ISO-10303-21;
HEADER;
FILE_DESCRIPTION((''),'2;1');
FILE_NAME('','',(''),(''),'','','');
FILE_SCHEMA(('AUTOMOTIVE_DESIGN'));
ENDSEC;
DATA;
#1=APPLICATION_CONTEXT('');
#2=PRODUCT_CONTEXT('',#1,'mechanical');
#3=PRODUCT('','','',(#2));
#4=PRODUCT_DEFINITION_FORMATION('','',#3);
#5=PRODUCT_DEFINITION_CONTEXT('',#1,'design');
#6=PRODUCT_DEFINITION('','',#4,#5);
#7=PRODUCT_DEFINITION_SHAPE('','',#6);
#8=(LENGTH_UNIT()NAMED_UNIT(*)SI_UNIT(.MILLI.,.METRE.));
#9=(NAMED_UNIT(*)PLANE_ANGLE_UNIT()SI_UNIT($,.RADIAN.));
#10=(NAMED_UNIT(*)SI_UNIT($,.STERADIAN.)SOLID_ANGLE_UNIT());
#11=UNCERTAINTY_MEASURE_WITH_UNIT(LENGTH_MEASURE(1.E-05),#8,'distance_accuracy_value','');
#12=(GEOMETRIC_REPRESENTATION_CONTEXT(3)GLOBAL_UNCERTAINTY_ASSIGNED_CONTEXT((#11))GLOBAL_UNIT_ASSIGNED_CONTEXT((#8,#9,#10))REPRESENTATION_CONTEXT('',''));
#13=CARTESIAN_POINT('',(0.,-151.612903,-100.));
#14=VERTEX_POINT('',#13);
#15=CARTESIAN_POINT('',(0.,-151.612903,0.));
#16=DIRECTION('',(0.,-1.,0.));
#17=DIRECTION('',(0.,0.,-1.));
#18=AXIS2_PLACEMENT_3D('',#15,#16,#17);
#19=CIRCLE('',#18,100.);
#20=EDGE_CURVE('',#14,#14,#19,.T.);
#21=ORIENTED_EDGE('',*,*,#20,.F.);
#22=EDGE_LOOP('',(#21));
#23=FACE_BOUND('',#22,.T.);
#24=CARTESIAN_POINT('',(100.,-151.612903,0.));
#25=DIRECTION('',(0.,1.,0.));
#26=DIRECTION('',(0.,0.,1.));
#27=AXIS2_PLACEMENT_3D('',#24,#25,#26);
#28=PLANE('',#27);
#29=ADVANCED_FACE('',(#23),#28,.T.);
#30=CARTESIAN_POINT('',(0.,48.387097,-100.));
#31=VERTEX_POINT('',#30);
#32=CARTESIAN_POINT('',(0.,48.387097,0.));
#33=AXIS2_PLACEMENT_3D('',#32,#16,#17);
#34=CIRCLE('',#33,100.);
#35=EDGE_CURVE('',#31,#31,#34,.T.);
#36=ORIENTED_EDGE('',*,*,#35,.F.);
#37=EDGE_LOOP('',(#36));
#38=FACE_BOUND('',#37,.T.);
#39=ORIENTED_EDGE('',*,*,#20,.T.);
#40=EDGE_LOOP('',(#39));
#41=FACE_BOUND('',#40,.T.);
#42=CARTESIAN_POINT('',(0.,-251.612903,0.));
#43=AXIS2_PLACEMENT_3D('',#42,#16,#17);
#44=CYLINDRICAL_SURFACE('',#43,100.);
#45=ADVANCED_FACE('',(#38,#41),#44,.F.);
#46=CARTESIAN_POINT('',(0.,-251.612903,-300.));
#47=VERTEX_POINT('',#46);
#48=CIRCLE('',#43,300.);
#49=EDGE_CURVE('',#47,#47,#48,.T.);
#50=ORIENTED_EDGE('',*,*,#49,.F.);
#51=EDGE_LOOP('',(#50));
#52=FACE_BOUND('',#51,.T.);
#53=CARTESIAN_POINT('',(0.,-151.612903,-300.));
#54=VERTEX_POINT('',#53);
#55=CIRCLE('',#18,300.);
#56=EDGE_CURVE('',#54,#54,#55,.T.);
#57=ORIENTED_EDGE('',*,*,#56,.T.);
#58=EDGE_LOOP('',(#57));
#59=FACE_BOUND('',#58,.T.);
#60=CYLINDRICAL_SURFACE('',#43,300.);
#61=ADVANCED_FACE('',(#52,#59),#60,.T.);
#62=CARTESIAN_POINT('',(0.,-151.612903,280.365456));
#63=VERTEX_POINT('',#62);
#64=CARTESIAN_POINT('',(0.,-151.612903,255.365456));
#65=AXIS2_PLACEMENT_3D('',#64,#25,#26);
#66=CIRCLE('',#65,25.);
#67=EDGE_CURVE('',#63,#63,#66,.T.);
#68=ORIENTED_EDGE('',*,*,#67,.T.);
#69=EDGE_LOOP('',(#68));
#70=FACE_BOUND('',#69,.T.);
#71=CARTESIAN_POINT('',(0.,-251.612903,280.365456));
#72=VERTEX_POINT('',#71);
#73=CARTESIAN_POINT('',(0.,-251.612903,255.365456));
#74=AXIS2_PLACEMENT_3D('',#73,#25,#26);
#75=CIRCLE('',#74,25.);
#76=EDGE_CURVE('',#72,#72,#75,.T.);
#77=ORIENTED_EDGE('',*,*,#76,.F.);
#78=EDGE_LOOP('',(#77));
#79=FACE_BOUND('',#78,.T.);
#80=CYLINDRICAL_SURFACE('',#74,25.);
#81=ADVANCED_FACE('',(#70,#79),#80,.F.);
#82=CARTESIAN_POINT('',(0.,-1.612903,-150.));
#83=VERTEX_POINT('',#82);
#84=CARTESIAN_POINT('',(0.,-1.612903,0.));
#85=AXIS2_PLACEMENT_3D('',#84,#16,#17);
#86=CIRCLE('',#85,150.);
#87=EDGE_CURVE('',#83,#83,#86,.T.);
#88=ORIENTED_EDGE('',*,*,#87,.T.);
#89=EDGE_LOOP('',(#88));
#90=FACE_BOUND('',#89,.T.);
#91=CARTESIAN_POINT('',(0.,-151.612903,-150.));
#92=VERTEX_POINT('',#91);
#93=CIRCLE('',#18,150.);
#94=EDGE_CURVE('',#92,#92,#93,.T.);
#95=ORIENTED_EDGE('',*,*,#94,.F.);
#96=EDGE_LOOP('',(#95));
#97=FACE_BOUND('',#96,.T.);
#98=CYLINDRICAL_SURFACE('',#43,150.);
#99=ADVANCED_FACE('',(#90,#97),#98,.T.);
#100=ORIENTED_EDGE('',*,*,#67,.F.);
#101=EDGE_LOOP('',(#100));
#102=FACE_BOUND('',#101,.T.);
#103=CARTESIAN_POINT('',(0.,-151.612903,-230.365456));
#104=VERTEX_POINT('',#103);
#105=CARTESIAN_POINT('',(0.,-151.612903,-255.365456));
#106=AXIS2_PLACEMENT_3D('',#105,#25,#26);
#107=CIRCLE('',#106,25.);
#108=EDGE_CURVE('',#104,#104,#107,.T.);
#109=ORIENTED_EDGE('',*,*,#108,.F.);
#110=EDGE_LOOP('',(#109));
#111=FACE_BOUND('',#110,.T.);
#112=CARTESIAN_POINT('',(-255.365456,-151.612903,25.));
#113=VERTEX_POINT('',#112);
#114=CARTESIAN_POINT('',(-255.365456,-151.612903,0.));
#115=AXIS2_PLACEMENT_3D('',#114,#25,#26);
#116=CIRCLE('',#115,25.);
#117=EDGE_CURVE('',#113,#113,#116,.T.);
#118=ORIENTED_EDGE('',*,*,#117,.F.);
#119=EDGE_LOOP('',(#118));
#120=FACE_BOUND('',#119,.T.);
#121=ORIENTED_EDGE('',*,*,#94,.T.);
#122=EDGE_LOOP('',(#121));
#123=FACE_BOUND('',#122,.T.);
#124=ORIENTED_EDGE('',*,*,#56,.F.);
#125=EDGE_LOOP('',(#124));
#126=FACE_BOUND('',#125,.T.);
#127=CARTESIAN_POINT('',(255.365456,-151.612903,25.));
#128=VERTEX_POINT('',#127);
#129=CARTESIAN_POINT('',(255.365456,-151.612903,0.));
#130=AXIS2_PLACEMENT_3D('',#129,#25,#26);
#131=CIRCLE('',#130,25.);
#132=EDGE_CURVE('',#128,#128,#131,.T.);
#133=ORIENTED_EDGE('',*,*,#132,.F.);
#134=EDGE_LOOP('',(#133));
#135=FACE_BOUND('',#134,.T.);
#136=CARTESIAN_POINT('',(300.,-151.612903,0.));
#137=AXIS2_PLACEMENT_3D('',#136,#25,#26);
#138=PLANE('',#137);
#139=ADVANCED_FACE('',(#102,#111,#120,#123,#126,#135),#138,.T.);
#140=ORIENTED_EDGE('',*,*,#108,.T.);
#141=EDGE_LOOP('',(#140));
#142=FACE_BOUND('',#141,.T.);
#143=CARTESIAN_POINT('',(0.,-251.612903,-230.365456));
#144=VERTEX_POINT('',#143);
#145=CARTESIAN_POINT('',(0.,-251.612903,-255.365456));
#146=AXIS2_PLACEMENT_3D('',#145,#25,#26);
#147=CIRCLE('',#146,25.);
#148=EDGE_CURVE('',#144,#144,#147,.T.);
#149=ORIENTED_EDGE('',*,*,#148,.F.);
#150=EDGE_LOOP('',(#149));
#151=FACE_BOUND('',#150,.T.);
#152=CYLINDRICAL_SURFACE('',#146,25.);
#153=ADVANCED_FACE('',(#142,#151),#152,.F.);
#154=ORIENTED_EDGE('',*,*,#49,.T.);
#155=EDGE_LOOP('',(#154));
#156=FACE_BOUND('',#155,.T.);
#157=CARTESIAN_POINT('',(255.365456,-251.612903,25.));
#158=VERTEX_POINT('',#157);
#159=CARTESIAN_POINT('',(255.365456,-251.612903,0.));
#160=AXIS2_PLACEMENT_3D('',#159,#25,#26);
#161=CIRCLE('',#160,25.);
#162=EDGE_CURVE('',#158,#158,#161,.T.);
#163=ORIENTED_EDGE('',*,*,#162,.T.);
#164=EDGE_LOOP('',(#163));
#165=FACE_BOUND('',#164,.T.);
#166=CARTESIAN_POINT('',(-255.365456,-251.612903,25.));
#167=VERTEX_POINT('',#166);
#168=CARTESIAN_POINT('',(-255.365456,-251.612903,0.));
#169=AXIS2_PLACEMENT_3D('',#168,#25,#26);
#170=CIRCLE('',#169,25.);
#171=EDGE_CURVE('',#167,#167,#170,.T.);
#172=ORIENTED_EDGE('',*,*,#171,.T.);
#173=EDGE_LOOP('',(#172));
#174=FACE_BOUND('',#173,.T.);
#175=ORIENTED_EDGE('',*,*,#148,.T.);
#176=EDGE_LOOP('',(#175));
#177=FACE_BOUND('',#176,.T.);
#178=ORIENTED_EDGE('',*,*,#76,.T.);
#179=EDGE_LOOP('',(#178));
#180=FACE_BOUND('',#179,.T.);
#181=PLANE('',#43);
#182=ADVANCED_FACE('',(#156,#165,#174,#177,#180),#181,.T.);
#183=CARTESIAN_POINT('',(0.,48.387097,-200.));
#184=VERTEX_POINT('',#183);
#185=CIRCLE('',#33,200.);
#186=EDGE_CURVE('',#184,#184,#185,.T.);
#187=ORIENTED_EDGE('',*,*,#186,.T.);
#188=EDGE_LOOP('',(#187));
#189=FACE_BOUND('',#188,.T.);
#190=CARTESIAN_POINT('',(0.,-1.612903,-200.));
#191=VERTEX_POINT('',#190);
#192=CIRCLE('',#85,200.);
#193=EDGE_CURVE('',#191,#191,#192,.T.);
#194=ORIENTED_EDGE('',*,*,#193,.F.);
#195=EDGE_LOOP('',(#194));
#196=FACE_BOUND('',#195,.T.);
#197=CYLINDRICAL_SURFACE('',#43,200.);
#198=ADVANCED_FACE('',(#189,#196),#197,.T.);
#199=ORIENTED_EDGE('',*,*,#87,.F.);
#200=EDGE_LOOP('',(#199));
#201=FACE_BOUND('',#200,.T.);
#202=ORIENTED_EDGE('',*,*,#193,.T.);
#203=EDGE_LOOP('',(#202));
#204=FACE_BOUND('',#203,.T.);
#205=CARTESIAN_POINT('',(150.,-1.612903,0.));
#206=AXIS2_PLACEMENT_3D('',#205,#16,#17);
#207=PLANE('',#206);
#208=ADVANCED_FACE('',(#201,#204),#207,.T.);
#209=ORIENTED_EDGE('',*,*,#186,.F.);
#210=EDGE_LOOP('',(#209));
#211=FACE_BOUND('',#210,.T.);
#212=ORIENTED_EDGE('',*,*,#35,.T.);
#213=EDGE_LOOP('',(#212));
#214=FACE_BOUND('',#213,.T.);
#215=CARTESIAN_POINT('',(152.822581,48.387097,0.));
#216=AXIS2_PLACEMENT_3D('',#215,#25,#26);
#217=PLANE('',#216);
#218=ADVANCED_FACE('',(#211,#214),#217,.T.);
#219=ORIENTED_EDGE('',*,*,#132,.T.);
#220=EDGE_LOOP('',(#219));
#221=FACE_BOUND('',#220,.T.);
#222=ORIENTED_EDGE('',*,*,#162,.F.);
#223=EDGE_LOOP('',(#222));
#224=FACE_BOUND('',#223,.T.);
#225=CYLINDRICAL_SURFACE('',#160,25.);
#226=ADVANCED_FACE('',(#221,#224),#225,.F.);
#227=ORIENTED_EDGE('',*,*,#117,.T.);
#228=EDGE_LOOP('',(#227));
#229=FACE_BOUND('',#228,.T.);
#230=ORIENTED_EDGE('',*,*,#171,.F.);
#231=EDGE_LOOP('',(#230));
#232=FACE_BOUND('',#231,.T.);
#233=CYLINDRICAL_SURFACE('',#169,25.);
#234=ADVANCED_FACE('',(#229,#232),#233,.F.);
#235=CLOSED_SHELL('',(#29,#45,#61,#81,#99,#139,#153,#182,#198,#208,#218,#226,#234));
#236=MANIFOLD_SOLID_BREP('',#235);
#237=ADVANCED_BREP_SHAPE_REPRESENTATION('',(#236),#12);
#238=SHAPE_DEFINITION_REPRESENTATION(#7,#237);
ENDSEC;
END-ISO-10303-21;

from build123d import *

# Parameters (mm, degrees)
SKETCH5_R          = 25
CUT_EXTRUDE2_DEPTH = 100


with BuildPart() as part:
    # Sketch4 → Revolve2 (revolve)
    with BuildSketch(Plane.XY):
        Polygon((0, -251.612903226), (0, -151.612903226), (100, -151.612903226), (100, 48.387096774), (152.822580645, 48.387096774), (200, 48.387096774), (200, -1.612903226), (150, -1.612903226), (150, -151.612903226), (300, -151.612903226), (300, -251.612903226), align=None)
    revolve(axis=Axis((0, -251.612903226, 0), (0, 1, 0)))

    # Sketch5 → Cut-Extrude2 (cut)
    with BuildSketch(Plane(origin=(0, -151.612903226, 0), x_dir=(1, 0, 0), z_dir=(0, 1, 0))):
        with Locations((0, 255.365455535)):
            Circle(SKETCH5_R)
        with Locations((255.365455535, 0)):
            Circle(SKETCH5_R)
        with Locations((0, -255.365455535)):
            Circle(SKETCH5_R)
        with Locations((-255.365455535, 0)):
            Circle(SKETCH5_R)
    extrude(amount=-CUT_EXTRUDE2_DEPTH, mode=Mode.SUBTRACT)


solid = part.part
